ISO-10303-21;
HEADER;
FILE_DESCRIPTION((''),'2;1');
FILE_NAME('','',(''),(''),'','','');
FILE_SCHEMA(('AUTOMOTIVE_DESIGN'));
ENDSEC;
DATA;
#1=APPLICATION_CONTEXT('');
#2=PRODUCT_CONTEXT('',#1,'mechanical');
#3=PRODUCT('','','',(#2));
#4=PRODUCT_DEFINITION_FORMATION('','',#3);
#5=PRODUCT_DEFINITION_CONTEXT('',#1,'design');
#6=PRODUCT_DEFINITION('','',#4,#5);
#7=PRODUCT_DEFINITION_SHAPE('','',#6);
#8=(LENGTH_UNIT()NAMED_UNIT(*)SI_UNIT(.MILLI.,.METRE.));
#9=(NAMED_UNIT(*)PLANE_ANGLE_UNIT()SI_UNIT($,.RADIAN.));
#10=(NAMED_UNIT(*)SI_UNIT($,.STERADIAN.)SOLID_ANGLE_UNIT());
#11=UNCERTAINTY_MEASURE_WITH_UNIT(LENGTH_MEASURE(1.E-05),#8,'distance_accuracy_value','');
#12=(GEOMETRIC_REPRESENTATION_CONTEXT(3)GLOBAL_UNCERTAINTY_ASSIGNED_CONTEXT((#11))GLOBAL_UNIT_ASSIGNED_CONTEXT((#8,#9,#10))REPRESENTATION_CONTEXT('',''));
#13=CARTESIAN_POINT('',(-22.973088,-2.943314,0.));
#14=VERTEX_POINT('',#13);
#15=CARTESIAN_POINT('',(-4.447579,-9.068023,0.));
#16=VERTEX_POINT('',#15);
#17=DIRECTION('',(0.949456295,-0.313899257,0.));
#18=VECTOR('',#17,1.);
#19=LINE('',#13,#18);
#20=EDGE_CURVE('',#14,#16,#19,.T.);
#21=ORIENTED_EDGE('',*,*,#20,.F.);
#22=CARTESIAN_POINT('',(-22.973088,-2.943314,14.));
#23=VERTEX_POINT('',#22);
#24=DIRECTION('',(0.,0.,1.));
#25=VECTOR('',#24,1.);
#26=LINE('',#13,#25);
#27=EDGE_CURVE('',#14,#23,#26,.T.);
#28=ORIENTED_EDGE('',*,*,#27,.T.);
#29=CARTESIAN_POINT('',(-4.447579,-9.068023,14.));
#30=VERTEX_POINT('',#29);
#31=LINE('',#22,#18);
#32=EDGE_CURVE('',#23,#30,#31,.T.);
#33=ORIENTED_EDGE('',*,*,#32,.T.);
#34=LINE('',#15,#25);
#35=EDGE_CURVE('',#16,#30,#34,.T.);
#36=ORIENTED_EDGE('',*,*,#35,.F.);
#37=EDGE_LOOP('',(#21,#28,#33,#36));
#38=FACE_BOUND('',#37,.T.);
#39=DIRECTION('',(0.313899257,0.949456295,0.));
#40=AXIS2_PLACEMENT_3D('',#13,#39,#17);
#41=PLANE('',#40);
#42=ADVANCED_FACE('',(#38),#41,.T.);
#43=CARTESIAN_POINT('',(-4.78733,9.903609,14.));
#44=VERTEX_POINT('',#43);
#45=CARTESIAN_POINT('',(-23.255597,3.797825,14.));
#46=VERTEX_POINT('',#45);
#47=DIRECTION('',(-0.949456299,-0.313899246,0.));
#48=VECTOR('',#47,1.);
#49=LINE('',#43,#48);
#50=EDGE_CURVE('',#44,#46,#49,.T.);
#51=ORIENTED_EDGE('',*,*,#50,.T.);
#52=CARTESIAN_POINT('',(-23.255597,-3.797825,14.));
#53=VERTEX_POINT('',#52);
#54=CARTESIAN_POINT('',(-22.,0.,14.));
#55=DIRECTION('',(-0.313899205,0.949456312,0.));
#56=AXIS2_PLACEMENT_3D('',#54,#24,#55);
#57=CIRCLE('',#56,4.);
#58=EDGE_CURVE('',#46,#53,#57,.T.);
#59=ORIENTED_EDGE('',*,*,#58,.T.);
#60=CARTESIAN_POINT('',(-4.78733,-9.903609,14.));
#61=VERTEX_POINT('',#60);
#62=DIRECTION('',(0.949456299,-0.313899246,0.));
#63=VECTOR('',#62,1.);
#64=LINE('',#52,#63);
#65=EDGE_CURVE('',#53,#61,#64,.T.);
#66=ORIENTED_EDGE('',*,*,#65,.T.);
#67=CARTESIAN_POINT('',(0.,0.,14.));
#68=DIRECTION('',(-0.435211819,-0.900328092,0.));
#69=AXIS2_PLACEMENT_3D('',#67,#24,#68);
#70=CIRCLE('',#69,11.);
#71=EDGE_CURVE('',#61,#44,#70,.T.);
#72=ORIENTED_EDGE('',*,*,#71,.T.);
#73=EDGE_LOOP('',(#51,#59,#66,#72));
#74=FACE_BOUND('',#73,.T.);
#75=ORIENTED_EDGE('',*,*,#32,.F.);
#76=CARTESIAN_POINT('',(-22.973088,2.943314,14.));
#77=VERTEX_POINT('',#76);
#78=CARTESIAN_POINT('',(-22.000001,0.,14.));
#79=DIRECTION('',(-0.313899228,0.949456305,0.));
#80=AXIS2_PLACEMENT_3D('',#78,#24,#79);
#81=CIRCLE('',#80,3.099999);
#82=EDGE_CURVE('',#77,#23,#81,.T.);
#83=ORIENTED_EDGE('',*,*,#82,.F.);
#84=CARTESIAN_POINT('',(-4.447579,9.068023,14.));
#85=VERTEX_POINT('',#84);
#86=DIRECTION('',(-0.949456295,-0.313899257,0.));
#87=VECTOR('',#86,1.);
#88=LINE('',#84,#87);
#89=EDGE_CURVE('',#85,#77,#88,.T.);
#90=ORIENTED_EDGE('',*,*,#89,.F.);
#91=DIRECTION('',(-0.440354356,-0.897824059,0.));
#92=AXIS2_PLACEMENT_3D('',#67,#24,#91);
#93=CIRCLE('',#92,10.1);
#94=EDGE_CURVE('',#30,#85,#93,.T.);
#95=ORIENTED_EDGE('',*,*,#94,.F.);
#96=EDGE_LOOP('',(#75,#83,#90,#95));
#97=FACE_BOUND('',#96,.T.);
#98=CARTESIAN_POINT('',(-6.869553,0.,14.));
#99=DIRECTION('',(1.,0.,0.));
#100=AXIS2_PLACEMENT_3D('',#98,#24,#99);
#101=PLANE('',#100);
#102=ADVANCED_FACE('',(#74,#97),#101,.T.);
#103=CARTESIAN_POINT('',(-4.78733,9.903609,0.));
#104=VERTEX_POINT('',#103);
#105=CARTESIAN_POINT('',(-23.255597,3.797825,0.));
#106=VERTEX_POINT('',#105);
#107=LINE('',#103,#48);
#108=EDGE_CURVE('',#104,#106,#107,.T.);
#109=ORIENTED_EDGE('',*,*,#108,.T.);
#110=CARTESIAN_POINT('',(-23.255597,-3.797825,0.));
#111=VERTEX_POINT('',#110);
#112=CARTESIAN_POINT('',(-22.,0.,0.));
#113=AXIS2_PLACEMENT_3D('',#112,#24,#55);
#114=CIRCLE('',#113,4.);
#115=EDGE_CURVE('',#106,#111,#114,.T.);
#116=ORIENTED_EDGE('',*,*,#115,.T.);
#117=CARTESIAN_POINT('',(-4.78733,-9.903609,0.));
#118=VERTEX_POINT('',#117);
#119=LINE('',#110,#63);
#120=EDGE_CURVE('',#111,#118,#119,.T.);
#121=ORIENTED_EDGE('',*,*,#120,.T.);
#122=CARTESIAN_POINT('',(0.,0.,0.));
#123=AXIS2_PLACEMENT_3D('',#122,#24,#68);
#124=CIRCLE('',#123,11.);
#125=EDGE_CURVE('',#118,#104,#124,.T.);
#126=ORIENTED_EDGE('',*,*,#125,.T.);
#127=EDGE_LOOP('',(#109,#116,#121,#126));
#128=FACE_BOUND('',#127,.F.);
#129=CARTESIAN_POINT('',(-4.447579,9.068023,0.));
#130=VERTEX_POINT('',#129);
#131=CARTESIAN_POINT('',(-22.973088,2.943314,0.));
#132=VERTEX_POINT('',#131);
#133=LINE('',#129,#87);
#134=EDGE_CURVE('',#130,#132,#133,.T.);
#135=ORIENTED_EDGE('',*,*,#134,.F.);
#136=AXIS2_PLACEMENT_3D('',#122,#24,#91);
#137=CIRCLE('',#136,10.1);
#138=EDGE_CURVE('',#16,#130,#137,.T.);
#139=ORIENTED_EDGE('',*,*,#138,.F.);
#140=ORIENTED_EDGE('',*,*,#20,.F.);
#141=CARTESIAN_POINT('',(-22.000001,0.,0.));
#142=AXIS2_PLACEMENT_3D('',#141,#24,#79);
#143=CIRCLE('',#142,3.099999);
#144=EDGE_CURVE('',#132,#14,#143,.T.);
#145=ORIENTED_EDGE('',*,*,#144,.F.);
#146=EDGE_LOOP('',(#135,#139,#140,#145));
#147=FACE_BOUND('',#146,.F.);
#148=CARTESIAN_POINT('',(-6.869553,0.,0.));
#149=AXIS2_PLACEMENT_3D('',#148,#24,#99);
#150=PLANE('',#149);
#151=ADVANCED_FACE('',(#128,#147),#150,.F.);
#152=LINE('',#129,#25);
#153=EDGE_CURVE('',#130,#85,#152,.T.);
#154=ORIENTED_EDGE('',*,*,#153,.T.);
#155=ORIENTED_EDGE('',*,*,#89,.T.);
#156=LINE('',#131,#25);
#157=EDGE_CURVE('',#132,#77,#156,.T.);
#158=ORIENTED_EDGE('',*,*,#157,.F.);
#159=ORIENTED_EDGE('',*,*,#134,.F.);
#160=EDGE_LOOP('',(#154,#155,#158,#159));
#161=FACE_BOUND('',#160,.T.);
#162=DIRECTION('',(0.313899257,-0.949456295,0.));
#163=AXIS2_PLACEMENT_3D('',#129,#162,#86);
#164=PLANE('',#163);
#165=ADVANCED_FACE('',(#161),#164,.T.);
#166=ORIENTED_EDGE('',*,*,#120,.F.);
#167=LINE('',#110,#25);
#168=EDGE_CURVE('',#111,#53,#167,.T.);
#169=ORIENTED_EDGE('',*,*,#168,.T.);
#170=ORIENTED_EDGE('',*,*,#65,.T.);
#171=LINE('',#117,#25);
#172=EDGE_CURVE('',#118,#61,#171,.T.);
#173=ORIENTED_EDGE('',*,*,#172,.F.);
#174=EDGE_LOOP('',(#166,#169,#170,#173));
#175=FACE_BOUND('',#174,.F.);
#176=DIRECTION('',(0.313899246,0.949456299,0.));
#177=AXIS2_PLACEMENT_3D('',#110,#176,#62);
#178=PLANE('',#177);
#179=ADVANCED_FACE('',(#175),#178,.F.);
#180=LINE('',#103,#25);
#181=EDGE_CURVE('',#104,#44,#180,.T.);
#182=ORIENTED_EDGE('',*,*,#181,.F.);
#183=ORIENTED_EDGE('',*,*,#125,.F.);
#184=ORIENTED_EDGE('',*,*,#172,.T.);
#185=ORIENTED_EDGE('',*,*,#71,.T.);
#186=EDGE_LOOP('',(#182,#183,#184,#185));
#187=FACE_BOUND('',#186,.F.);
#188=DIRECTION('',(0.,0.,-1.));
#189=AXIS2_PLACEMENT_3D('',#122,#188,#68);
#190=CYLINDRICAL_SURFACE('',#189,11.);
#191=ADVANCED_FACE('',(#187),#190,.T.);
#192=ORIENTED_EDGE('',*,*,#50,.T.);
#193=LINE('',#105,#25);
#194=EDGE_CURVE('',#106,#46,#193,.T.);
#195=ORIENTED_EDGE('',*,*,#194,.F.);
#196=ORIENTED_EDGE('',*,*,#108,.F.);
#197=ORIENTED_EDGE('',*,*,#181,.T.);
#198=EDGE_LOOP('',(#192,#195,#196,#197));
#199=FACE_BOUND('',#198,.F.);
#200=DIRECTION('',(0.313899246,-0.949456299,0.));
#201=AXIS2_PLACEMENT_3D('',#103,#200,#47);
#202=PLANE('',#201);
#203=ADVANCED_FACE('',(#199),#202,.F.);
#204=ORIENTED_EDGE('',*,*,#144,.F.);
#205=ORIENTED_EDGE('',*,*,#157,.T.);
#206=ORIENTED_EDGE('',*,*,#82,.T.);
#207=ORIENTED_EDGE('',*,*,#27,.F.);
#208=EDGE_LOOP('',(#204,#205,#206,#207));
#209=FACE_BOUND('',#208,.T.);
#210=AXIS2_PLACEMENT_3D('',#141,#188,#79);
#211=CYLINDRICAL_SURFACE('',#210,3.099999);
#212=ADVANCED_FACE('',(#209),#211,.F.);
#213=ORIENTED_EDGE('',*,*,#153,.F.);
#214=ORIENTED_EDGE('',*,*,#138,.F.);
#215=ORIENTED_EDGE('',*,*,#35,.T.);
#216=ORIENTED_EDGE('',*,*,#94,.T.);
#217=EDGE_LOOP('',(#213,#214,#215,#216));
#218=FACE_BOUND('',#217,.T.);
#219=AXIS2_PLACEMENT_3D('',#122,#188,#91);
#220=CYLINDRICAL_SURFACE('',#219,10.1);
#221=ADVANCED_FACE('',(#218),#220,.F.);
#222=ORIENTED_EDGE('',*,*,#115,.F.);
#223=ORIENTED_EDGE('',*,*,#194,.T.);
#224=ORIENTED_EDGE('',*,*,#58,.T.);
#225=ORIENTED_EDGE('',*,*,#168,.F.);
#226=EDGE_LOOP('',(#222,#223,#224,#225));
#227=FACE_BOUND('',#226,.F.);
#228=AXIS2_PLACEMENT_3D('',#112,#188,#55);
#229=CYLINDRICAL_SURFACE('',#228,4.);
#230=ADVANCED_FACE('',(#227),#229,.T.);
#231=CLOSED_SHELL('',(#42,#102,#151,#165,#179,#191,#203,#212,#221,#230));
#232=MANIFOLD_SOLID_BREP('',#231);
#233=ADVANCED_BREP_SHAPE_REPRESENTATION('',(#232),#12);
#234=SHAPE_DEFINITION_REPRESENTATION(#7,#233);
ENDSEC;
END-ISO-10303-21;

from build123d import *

# Parameters (mm, degrees)
F2_DEPTH = 14
F3_DEPTH = 14


with BuildPart() as f2:
    # F0 (on Top) → F2 (new body)
    with BuildSketch(Plane.XY):
        with BuildLine():
            Line((-23.255597, -3.797825), (-4.78733, -9.903609))
            ThreePointArc((-4.78733, -9.903609), (11, 0), (-4.78733, 9.903609))
            Line((-4.78733, 9.903609), (-23.255597, 3.797825))
            ThreePointArc((-23.255597, 3.797825), (-26, 0), (-23.255597, -3.797825))
        make_face()
    extrude(amount=F2_DEPTH)

    # F1 (on face) → F3 (cut)
    with BuildSketch(Plane.XY):
        with BuildLine():
            ThreePointArc((-4.447579, -9.068023), (10.1, 0), (-4.447579, 9.068023))
            Line((-4.447579, 9.068023), (-22.973088, 2.943314))
            ThreePointArc((-22.973088, 2.943314), (-25.1, 0), (-22.973088, -2.943314))
            Line((-22.973088, -2.943314), (-4.447579, -9.068023))
        make_face()
    extrude(amount=F3_DEPTH, mode=Mode.SUBTRACT)


solid = f2.part
